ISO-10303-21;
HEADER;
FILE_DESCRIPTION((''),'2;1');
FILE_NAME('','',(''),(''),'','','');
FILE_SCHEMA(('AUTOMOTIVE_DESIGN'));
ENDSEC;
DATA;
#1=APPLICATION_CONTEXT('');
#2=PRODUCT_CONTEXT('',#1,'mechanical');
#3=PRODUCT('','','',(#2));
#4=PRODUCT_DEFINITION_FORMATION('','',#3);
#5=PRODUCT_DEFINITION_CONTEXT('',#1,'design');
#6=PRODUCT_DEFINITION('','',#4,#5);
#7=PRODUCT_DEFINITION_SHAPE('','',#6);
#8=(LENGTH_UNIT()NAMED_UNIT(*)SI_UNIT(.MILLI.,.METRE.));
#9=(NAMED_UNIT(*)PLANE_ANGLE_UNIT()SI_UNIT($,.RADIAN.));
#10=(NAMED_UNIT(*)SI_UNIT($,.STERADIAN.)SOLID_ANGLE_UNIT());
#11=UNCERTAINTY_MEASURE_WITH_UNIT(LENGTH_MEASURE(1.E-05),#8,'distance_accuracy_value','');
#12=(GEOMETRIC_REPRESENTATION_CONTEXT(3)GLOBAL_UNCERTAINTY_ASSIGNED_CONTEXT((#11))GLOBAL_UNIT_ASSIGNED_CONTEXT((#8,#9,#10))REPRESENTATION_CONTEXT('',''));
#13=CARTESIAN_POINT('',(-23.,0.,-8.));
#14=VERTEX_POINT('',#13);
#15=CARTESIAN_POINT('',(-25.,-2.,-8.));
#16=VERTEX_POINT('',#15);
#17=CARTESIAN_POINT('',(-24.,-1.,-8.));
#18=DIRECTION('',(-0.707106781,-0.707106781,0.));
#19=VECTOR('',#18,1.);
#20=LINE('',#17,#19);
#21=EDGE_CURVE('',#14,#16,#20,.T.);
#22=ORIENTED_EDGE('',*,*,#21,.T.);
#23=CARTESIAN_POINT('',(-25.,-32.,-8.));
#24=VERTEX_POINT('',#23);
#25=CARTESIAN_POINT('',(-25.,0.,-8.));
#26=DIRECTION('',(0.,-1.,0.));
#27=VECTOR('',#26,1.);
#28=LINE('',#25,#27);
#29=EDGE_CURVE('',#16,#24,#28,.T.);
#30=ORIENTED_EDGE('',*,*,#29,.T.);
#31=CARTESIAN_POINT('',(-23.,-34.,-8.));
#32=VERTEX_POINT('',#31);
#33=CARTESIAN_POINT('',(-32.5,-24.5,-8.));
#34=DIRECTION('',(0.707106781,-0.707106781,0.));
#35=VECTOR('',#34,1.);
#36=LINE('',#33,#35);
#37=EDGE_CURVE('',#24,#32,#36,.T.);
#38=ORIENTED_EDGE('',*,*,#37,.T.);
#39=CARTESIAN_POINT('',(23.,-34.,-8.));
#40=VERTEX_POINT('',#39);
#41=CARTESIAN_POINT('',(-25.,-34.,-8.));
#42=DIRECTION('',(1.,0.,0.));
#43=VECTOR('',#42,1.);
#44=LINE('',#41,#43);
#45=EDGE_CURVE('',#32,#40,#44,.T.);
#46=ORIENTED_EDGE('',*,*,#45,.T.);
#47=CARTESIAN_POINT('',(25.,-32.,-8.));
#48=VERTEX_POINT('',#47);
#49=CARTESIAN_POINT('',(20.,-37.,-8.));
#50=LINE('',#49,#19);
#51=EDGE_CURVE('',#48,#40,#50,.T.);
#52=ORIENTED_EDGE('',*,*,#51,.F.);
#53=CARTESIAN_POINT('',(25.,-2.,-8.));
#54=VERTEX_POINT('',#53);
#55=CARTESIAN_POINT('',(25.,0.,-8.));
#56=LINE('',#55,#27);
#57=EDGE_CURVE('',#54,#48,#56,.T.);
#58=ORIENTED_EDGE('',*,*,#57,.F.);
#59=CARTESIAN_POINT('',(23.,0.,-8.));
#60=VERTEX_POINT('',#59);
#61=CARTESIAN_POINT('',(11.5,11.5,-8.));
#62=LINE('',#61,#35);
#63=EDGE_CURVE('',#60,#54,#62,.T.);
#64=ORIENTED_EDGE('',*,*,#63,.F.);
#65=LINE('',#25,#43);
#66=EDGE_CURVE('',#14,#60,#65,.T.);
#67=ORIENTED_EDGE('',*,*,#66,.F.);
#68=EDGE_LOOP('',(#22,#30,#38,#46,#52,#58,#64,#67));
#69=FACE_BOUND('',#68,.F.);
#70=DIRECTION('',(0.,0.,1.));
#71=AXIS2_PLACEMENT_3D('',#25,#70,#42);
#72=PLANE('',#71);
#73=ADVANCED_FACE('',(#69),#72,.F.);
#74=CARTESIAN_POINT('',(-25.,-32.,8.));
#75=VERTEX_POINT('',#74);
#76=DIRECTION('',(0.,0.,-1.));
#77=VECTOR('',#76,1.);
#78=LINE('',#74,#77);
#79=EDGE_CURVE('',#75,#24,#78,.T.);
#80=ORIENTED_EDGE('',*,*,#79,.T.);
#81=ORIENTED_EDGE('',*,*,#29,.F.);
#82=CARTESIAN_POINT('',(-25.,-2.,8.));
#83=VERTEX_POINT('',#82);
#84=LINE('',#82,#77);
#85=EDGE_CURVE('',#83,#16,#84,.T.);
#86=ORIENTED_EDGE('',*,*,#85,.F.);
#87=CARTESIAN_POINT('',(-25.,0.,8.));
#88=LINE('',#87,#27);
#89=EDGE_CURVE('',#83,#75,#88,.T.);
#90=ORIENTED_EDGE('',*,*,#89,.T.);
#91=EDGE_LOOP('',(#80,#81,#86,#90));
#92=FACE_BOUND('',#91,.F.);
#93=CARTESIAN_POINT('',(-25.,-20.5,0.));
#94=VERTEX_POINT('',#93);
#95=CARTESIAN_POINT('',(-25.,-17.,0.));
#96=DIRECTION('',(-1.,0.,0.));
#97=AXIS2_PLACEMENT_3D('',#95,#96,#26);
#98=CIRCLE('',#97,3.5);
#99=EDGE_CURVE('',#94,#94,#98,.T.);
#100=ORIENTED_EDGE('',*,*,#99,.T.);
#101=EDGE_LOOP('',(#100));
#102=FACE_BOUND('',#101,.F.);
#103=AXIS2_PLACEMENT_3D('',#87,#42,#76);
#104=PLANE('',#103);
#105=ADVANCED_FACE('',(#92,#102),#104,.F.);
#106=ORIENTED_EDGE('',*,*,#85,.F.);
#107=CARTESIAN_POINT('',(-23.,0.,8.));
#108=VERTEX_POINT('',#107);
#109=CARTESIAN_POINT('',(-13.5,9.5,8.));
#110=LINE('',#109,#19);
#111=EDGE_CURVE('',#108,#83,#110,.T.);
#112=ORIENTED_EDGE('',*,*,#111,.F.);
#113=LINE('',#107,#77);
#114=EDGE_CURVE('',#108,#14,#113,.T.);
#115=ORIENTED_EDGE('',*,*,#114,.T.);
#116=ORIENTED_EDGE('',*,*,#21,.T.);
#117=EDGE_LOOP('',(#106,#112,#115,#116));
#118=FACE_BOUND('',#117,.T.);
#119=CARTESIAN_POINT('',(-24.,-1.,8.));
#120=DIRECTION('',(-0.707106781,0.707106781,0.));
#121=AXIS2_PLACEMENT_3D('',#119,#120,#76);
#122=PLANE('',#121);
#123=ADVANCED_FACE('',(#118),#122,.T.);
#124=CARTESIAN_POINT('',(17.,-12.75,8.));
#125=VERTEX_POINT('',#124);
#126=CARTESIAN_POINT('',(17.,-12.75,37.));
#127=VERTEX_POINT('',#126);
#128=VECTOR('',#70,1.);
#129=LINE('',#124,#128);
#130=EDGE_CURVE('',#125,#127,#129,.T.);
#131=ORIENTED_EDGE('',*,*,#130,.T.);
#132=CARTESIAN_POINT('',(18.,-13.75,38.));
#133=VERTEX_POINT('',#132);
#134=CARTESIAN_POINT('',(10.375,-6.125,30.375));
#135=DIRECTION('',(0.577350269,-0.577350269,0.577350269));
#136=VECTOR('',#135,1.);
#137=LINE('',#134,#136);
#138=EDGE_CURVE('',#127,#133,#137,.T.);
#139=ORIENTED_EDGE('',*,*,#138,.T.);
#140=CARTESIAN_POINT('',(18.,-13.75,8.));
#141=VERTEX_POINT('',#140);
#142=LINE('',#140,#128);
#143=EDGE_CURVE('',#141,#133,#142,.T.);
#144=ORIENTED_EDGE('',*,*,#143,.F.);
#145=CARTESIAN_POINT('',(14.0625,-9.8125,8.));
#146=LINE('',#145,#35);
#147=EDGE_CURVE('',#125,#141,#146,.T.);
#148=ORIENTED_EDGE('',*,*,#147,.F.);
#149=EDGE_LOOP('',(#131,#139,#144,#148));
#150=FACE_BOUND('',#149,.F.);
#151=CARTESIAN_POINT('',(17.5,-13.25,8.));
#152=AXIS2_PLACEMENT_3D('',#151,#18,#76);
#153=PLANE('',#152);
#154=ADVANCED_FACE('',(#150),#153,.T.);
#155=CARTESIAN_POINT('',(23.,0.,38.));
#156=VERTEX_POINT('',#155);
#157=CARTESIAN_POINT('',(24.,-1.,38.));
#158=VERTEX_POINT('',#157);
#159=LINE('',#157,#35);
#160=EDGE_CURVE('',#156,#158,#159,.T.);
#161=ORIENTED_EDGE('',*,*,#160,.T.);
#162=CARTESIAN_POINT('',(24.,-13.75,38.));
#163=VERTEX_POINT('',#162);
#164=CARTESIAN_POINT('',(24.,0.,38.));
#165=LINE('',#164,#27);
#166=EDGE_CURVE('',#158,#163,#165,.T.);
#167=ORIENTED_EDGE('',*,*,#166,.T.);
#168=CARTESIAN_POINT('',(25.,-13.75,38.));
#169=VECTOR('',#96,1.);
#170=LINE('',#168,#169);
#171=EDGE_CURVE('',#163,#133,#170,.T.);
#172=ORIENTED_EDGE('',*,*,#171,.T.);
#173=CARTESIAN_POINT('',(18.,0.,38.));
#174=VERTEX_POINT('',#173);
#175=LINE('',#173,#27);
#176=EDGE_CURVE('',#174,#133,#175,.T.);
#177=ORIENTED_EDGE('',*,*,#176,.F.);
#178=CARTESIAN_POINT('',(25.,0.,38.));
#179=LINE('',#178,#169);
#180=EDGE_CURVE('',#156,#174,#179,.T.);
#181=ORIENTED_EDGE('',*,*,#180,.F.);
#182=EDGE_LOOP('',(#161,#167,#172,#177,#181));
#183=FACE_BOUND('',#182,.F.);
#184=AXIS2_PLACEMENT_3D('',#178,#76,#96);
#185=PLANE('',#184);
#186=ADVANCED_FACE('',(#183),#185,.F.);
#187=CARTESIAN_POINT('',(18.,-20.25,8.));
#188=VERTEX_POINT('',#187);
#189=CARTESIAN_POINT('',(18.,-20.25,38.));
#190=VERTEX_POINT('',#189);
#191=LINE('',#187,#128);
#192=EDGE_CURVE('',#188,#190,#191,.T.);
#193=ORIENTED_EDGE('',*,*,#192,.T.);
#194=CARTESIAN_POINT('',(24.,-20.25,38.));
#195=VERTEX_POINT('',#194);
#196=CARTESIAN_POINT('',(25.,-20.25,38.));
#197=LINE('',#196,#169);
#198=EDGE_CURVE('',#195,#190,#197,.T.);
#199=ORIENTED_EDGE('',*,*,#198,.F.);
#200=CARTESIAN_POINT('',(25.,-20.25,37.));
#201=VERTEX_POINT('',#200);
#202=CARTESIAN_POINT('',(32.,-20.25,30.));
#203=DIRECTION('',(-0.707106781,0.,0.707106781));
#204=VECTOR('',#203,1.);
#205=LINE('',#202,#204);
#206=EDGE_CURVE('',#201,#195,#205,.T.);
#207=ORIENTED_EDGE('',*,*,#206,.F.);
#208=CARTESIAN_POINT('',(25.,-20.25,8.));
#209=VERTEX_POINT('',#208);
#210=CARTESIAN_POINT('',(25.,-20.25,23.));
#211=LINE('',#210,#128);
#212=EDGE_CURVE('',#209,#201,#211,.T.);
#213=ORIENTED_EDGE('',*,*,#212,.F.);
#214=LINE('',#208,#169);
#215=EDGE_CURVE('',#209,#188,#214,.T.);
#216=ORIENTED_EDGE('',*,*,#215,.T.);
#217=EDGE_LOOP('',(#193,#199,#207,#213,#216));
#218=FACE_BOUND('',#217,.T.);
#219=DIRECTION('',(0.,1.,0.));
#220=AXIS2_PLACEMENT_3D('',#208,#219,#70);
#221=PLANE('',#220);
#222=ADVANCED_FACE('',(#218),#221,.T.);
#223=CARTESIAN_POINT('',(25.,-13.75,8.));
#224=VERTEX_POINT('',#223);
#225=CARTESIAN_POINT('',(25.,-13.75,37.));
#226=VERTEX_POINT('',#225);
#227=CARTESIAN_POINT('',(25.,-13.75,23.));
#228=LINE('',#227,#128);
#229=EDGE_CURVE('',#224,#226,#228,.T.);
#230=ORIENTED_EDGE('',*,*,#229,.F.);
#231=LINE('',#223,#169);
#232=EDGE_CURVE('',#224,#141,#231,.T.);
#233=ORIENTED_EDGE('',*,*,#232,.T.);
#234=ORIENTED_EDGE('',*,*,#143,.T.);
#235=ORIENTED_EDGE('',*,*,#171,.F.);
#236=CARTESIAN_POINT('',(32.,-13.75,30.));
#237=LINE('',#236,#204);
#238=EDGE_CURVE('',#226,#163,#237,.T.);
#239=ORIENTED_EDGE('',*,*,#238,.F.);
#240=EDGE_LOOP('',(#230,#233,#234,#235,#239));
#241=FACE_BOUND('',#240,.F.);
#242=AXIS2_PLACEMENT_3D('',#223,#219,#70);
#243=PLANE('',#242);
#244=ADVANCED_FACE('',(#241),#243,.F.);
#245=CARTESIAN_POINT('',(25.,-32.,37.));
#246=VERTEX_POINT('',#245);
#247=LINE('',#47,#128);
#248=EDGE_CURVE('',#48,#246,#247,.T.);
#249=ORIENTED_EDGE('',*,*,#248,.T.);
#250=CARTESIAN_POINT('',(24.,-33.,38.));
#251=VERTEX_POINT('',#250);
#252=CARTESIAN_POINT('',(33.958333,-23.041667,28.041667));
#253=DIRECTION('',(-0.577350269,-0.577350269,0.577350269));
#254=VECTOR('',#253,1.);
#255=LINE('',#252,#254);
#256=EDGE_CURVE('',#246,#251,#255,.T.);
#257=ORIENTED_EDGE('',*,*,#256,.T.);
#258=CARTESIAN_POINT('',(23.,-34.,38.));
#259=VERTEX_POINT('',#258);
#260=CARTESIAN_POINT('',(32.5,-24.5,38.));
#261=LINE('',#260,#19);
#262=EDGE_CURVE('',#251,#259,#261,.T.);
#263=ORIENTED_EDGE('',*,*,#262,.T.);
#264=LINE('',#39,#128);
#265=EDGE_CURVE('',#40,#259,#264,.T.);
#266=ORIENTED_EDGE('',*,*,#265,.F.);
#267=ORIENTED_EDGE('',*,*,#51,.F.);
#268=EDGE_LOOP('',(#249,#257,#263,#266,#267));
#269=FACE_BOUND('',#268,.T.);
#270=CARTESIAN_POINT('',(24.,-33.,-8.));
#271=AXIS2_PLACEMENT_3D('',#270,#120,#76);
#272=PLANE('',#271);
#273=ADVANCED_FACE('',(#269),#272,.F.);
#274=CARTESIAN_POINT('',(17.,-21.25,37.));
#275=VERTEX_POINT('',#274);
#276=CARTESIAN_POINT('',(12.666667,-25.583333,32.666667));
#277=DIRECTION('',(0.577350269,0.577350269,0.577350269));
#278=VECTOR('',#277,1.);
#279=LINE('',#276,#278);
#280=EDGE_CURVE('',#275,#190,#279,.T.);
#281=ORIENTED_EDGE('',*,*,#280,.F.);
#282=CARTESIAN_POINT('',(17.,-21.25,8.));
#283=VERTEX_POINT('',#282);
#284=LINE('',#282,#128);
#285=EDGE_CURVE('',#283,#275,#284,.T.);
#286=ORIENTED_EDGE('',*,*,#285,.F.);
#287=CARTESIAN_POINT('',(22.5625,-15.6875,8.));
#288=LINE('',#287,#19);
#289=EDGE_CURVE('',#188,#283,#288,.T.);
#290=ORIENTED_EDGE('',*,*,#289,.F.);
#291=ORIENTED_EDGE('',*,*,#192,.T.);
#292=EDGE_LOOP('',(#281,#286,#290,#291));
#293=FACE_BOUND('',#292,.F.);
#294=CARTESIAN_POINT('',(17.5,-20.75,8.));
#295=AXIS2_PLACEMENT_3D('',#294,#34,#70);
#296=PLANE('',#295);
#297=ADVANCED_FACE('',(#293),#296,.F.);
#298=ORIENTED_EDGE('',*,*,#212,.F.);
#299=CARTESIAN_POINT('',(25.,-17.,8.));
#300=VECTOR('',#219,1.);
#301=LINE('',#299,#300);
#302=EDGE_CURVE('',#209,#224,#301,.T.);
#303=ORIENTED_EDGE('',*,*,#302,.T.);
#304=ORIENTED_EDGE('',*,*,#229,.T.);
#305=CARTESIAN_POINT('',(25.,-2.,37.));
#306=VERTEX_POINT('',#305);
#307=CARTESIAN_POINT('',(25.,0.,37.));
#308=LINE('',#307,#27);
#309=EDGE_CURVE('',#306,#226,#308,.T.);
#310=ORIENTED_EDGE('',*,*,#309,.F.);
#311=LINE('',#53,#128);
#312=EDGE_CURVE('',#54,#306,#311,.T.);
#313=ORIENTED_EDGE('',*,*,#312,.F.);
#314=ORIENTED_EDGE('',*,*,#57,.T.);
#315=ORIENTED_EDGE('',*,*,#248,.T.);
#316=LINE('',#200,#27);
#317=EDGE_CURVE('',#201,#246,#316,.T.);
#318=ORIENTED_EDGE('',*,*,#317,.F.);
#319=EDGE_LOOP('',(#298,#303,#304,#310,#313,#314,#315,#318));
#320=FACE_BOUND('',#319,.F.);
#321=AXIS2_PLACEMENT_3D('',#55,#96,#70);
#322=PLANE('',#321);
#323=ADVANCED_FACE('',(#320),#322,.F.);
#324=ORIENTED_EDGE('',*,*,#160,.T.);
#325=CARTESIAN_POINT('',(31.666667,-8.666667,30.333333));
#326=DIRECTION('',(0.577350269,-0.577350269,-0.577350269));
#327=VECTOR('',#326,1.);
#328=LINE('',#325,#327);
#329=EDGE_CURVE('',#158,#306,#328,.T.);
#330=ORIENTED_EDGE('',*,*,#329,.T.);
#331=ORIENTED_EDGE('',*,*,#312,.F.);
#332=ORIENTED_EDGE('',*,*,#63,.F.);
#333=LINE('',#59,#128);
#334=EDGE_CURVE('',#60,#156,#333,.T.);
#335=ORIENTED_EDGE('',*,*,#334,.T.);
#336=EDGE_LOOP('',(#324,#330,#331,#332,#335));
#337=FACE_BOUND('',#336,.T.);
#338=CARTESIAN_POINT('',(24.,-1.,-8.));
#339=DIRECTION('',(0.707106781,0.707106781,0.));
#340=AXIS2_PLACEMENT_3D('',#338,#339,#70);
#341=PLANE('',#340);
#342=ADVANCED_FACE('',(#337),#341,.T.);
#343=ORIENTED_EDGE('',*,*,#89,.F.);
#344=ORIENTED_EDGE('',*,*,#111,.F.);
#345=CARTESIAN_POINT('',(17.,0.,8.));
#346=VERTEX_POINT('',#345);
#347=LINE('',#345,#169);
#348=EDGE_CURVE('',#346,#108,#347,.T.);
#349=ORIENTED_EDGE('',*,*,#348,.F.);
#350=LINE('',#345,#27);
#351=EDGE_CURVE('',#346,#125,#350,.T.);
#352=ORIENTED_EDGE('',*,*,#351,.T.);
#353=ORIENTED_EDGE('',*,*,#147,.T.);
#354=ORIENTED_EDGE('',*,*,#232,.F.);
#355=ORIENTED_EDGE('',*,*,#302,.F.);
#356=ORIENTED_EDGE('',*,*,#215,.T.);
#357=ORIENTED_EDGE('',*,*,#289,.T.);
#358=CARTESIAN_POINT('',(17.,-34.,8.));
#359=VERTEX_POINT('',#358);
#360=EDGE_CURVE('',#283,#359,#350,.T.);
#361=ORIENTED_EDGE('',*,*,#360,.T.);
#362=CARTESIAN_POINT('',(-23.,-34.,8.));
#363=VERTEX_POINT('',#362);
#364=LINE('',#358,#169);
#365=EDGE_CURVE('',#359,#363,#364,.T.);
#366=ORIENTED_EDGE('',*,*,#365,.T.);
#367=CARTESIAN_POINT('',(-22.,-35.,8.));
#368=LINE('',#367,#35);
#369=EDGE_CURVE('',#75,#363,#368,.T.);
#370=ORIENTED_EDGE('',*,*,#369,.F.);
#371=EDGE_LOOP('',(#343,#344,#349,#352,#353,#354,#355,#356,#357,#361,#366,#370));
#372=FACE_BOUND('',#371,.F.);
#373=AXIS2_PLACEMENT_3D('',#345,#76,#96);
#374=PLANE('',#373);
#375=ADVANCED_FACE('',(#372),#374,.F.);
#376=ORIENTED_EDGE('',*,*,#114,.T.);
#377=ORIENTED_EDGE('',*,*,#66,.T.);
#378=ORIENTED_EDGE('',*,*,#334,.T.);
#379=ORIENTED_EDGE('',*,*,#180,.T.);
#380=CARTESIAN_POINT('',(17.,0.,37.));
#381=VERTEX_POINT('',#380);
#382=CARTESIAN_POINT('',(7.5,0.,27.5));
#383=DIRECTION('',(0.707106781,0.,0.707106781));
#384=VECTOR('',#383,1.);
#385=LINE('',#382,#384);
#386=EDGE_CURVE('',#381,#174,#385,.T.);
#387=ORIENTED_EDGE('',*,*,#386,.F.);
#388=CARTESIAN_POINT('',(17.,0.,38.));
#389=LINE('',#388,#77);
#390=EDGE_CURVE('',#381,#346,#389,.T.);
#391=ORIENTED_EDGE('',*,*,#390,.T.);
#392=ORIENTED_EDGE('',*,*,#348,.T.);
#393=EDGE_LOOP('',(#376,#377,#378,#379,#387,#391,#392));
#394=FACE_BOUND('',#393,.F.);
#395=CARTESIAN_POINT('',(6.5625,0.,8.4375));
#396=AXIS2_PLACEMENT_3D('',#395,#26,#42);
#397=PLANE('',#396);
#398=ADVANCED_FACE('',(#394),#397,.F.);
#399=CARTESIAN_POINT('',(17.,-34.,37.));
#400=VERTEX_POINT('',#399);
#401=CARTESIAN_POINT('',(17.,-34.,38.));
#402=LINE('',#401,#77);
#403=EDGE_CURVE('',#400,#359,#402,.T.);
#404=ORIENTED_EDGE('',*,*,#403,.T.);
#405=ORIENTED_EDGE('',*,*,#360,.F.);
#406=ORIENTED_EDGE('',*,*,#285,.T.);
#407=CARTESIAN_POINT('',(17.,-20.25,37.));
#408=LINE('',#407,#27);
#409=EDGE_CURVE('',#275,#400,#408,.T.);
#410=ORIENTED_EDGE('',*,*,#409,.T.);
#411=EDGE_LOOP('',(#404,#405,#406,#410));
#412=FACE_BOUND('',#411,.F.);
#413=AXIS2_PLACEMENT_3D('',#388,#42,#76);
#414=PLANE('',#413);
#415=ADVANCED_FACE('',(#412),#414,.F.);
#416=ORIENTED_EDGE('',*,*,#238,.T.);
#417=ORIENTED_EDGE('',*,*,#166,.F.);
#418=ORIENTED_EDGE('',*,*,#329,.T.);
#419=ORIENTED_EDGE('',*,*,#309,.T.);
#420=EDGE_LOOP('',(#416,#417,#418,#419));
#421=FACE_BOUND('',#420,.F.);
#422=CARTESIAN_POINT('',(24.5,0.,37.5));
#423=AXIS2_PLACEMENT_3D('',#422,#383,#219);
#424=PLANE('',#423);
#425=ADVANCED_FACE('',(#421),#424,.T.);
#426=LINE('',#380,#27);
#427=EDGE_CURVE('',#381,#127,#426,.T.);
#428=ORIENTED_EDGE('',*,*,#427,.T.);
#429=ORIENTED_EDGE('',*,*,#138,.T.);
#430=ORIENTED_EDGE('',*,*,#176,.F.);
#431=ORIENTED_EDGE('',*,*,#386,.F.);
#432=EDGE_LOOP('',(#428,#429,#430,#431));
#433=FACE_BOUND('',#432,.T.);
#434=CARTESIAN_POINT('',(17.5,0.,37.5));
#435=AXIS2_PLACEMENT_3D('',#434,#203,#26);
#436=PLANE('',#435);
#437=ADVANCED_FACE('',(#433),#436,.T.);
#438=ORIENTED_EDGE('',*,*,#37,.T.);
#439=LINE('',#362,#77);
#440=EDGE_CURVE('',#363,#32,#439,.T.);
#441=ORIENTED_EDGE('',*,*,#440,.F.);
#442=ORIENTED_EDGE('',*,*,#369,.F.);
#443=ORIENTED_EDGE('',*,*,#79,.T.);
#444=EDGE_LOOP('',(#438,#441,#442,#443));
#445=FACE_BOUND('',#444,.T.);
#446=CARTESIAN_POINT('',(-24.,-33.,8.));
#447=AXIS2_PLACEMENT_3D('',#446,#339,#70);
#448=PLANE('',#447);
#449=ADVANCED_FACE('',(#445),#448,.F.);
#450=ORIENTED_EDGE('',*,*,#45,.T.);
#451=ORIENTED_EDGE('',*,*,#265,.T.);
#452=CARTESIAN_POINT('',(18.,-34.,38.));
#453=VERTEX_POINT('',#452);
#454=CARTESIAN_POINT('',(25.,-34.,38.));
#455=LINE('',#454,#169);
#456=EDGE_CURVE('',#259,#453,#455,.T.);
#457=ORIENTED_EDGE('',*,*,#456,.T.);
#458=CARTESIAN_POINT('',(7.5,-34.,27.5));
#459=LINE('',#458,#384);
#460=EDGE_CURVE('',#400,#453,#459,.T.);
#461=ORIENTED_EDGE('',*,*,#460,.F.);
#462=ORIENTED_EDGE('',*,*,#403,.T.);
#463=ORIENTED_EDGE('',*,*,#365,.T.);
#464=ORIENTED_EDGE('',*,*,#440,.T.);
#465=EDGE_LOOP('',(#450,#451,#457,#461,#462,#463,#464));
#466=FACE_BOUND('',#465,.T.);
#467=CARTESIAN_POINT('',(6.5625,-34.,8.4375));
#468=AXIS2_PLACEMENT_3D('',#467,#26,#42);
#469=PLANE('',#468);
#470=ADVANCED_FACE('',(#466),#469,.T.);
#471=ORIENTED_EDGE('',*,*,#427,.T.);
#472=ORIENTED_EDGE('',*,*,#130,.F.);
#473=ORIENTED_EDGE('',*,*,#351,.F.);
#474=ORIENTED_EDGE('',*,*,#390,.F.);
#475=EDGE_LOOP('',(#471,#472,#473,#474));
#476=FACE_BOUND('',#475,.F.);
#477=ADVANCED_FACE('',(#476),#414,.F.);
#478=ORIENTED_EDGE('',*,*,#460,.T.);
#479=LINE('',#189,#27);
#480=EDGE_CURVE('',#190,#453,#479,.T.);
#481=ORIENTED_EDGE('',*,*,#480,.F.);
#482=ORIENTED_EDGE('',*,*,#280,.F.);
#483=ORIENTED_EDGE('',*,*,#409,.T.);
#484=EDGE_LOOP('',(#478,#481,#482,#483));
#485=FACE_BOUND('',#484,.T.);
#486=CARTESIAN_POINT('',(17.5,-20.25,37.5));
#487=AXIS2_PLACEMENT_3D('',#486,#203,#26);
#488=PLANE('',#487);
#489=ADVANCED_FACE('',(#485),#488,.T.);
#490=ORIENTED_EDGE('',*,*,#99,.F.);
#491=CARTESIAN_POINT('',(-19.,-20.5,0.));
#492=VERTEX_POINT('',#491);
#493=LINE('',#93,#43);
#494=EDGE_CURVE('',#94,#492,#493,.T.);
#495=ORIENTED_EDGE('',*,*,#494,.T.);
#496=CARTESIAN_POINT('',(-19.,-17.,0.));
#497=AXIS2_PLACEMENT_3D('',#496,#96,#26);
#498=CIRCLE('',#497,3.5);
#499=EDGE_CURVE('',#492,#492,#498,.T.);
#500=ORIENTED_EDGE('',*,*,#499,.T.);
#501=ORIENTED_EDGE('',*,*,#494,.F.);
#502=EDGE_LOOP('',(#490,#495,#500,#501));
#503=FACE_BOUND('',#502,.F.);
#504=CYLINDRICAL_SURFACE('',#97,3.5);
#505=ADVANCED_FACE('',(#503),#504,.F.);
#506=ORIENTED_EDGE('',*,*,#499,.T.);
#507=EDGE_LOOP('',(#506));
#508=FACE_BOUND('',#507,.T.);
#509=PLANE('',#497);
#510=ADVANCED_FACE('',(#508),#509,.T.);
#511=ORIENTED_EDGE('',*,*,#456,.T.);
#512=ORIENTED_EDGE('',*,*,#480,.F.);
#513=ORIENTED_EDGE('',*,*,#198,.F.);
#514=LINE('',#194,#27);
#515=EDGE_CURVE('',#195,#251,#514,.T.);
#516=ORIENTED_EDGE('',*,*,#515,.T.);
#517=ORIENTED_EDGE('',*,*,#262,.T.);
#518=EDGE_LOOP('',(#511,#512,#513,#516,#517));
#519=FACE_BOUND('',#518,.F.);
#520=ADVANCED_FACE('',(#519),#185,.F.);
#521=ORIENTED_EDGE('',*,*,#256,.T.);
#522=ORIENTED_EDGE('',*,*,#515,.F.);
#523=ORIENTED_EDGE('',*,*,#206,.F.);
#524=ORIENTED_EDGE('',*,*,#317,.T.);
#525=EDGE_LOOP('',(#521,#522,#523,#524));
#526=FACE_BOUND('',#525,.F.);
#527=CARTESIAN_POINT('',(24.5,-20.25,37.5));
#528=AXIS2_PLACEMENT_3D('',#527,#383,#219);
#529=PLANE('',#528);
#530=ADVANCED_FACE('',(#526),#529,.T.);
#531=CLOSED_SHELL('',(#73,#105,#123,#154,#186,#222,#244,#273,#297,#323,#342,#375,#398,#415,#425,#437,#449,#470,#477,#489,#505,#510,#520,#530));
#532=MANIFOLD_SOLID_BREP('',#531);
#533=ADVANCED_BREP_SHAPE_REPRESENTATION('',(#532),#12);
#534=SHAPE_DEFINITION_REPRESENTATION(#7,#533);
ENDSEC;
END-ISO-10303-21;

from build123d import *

# Parameters (mm, degrees)
F1_DEPTH = 34
F2_W     = 6.5
F2_H     = 30
F3_DEPTH = 8
F4_R     = 3.5
F5_DEPTH = 6
F6_SIZE  = 1
F7_SIZE  = 2


with BuildPart() as f1:
    # F0 (on Front) → F1 (new body)
    with BuildSketch(Plane.XZ):
        Polygon((-20, 8), (-25, 8), (-25, -8), (25, -8), (25, 38), (17, 38), (17, 8), align=None)
    extrude(amount=F1_DEPTH)

    # F2 (on face) → F3 (cut, through all)
    with BuildSketch(Plane.YZ.offset(25)):
        with Locations((-17, 23)):
            Rectangle(F2_W, F2_H)
    extrude(amount=-F3_DEPTH, mode=Mode.SUBTRACT)

    # F4 (on face) → F5 (cut)
    with BuildSketch(Plane(origin=(-25, 0, 0), x_dir=(0, -1, 0), z_dir=(-1, 0, 0))):
        with Locations((17, 0)):
            Circle(F4_R)
    extrude(amount=-F5_DEPTH, mode=Mode.SUBTRACT)

    # F6
    f6_edges = [f1.edges().sort_by_distance(p)[0] for p in [
        (25, -6.875, 38),
        (25, -27.125, 38),
        (17, -6.875, 38),
        (17, -27.125, 38),
        (17, -13.75, 23),
        (17, -20.25, 23),
    ]]
    chamfer(f6_edges, length=F6_SIZE)

    # F7
    f7_edges = [f1.edges().sort_by_distance(p)[0] for p in [
        (25, -34, 14.5),
        (-25, -34, 0),
        (25, 0, 14.5),
        (-25, 0, 0),
    ]]
    chamfer(f7_edges, length=F7_SIZE)


solid = f1.part
